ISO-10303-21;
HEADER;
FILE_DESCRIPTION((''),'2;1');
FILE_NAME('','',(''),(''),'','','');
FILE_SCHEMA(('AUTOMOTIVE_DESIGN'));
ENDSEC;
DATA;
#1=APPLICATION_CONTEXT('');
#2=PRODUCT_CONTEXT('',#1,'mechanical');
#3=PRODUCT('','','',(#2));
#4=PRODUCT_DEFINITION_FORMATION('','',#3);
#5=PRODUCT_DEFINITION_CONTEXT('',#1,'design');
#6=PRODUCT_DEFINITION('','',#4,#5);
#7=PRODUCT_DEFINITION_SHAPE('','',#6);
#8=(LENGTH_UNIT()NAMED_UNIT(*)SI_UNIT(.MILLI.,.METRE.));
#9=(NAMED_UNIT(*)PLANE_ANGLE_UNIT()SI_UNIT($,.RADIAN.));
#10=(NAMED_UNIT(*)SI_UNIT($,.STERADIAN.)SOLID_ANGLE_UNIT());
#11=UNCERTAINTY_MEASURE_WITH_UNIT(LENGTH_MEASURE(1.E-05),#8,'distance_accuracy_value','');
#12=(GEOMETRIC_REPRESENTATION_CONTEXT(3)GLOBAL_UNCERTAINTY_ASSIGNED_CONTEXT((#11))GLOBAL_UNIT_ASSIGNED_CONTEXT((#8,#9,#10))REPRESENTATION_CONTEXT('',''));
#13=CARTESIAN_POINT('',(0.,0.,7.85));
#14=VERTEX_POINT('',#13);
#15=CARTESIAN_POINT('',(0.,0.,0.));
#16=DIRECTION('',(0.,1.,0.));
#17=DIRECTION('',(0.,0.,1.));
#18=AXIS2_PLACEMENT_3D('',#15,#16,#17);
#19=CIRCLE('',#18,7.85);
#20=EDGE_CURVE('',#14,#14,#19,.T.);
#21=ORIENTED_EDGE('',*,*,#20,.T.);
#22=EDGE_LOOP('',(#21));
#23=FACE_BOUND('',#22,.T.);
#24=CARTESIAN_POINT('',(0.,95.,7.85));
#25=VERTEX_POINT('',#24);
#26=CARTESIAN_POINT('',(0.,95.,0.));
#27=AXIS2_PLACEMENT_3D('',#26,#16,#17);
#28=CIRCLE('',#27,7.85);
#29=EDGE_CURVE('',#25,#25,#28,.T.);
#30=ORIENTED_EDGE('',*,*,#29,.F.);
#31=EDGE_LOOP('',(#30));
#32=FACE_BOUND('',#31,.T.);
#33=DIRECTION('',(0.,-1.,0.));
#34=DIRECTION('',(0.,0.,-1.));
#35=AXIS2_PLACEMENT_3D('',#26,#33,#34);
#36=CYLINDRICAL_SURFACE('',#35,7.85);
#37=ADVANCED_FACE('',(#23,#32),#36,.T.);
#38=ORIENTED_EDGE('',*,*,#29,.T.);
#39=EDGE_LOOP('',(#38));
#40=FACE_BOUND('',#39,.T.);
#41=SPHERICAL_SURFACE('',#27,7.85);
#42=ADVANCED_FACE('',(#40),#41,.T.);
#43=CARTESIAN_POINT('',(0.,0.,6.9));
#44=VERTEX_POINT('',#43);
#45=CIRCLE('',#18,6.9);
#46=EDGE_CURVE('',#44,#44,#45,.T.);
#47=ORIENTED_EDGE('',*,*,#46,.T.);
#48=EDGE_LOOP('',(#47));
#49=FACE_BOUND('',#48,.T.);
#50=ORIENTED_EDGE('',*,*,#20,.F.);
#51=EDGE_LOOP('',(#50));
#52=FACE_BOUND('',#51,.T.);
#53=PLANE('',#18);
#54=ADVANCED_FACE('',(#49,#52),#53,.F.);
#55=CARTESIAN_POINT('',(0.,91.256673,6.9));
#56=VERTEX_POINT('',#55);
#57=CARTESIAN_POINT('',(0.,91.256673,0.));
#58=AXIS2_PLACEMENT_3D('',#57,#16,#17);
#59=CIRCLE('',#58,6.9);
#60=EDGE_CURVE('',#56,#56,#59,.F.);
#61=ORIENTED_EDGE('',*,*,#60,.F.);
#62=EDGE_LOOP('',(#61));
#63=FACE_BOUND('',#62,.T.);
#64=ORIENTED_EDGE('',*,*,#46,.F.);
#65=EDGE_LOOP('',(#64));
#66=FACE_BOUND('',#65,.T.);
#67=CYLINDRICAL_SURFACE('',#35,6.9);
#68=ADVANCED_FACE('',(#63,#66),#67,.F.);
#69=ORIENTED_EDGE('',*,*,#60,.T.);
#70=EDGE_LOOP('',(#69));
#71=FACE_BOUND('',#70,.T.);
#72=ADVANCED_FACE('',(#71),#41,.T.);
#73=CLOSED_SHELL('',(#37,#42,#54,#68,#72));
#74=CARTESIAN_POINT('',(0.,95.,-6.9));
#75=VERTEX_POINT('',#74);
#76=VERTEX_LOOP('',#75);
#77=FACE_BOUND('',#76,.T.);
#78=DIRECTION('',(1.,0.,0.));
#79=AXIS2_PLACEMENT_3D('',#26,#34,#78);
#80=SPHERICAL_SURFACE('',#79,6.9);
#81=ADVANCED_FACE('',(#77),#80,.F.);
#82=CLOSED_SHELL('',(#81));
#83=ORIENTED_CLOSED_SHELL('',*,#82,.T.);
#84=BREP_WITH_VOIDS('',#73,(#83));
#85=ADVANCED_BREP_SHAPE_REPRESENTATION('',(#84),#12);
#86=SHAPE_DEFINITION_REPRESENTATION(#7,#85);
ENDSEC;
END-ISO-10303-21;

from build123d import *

# Parameters (mm, degrees)
SKETCH1_R           = 7.85
SKETCH1_R_2         = 6.9
BOSS_EXTRUDE1_DEPTH = 95


with BuildPart() as part:
    # Sketch1 → Boss-Extrude1 (new body)
    with BuildSketch(Plane(origin=(0, 0, 0), x_dir=(1, 0, 0), z_dir=(0, 1, 0))):
        with Locations(Location((0, 0, 0), (0, 0, 270))):
            Circle(SKETCH1_R)
        with Locations(Location((0, 0, 0), (0, 0, 270))):
            Circle(SKETCH1_R_2, mode=Mode.SUBTRACT)
    extrude(amount=BOSS_EXTRUDE1_DEPTH)

    # Sketch2 → Revolve2 (revolve)
    with BuildSketch(Plane(origin=(0, 95, 0), x_dir=(1, 0, 0), z_dir=(0, 1, 0))):
        with BuildLine():
            Line((0, 6.9), (0, 7.85))
            ThreePointArc((0, 7.85), (-7.85, 0), (0, -7.85))
            Line((0, -7.85), (0, -6.9))
            ThreePointArc((0, -6.9), (-6.9, 0), (0, 6.9))
        make_face()
    revolve(axis=Axis((0, 95, -7.85), (0, 0, 1)))


solid = part.part
